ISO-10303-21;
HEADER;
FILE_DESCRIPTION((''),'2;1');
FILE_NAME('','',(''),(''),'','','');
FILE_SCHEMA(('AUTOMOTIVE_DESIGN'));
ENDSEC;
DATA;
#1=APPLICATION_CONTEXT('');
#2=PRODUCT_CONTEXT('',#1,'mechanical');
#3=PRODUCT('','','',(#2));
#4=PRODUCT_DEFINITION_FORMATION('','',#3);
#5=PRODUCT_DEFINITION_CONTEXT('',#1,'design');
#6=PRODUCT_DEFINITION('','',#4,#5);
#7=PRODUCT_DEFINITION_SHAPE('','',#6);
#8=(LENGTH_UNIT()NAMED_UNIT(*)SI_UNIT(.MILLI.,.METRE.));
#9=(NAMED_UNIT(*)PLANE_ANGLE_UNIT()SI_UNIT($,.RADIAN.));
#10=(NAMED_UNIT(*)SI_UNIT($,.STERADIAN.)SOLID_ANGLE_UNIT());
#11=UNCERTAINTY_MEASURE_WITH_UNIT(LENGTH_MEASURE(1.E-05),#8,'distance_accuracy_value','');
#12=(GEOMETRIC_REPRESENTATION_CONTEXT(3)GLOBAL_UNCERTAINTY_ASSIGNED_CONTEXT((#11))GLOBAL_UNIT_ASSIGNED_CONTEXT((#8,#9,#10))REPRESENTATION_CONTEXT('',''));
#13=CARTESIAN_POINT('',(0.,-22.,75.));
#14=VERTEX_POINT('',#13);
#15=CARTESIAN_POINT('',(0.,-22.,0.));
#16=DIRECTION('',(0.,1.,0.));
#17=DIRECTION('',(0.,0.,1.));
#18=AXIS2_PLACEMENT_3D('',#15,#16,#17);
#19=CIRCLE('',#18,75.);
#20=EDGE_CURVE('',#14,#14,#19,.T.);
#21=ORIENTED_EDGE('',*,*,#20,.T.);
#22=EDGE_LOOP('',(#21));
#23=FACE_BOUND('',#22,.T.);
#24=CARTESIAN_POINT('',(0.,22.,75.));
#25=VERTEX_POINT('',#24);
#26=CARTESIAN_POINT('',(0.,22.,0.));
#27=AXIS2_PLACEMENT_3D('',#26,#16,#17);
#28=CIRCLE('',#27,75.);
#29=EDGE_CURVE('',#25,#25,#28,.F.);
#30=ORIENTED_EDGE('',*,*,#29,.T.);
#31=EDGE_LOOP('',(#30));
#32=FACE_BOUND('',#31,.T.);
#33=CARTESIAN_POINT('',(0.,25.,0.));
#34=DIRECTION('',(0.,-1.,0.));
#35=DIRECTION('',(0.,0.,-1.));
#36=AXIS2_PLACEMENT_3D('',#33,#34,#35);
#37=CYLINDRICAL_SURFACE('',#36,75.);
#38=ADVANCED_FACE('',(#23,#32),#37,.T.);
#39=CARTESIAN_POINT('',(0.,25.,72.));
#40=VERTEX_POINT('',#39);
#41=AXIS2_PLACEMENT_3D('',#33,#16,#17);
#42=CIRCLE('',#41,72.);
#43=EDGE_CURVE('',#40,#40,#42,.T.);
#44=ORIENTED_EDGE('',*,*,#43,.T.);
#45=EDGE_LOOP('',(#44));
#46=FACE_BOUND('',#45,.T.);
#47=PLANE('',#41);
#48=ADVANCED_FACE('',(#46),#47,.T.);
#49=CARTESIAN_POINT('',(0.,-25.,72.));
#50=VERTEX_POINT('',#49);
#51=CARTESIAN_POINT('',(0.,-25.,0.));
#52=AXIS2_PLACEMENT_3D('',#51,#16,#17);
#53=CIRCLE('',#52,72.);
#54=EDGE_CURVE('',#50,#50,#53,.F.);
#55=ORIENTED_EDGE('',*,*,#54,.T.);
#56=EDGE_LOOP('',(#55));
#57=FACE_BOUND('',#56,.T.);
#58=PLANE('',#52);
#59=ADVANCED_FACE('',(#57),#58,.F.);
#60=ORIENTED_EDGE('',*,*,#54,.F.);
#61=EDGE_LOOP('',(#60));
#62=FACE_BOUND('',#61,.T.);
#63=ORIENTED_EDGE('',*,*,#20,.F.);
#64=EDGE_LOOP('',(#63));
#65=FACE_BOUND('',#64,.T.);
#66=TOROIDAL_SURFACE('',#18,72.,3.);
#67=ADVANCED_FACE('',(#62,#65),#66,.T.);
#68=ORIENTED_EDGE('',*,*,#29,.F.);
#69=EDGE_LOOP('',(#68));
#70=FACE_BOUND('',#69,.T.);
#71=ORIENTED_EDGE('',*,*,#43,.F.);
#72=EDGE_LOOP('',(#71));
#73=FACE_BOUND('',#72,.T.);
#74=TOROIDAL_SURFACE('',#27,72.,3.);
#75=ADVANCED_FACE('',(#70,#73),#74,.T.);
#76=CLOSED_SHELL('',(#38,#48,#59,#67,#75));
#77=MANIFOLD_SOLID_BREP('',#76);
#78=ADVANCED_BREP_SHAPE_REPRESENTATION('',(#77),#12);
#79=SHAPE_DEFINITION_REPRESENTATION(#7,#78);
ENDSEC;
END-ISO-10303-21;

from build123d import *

# Parameters (mm, degrees)
SKETCH1_R           = 75
BOSS_EXTRUDE1_DEPTH = 25
FILLET1_R           = 3


with BuildPart() as part:
    # Sketch1 → Boss-Extrude1 (new, symmetric)
    with BuildSketch(Plane(origin=(0, 0, 0), x_dir=(1, 0, 0), z_dir=(0, 1, 0))):
        with Locations(Location((0, 0, 0), (0, 0, 270))):
            Circle(SKETCH1_R)
    extrude(amount=BOSS_EXTRUDE1_DEPTH, both=True)

    # Fillet1
    fillet1_edges = [part.edges().sort_by_distance(p)[0] for p in [
        (0, -25, -75),
        (0, 25, -75),
    ]]
    fillet(fillet1_edges, radius=FILLET1_R)


solid = part.part
